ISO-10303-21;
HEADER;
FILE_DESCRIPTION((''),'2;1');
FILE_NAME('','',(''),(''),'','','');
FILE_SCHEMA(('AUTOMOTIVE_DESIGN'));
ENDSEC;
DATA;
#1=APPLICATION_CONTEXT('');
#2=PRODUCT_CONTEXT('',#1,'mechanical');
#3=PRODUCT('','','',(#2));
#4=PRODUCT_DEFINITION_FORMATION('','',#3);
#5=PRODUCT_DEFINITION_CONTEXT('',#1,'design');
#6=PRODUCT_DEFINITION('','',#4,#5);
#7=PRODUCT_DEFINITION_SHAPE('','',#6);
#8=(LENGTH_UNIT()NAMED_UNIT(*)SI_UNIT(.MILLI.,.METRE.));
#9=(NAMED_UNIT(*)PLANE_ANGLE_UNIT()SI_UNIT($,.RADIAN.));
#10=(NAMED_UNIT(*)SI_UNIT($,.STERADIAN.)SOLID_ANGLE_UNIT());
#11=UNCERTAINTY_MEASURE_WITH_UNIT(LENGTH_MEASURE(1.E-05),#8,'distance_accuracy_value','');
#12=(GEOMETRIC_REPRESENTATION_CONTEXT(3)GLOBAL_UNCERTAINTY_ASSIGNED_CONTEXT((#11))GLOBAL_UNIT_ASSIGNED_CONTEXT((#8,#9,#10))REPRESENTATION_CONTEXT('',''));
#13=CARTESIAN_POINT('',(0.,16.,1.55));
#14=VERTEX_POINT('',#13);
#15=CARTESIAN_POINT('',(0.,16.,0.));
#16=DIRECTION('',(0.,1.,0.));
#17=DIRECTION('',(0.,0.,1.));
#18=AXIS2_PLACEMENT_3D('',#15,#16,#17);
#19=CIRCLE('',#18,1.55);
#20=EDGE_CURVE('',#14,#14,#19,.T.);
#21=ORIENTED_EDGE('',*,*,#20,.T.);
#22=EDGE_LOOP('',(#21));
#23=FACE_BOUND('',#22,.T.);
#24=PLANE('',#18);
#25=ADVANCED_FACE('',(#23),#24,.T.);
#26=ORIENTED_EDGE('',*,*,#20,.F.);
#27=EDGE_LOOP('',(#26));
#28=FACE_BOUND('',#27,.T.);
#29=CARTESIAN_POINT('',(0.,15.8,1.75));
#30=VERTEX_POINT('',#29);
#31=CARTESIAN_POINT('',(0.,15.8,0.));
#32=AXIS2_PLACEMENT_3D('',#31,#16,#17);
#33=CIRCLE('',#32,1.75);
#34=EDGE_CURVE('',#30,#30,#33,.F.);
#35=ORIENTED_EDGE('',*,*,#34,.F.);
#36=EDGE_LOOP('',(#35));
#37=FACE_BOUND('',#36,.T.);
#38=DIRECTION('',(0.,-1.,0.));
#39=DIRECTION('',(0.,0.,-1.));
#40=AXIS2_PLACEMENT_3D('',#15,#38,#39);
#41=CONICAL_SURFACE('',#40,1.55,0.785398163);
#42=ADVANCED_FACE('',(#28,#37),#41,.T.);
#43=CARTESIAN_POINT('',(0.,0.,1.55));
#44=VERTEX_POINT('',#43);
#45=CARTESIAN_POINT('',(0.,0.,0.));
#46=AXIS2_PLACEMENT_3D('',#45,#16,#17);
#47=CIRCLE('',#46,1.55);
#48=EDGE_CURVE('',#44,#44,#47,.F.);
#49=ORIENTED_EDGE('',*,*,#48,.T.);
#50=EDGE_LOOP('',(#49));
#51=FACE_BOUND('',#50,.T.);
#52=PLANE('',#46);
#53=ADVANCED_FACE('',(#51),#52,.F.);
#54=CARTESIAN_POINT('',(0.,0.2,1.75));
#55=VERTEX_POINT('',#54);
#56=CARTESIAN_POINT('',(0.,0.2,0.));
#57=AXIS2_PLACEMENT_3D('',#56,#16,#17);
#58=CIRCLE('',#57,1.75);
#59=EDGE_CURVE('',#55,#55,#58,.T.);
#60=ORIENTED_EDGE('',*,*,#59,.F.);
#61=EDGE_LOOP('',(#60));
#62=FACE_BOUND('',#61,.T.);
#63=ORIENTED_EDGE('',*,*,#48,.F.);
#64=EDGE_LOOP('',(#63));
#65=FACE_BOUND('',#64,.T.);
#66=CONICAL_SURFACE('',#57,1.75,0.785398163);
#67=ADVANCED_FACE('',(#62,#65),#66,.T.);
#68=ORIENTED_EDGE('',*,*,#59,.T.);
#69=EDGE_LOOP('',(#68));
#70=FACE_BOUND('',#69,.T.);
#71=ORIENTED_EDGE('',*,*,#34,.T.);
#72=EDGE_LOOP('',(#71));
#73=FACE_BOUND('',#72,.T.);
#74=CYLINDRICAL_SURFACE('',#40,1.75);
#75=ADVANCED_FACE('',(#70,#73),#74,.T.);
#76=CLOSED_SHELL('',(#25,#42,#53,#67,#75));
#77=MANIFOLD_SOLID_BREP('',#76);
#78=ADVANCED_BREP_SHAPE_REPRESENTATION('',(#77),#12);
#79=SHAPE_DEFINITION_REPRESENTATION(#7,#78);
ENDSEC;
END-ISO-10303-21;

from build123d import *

# Parameters (mm, degrees)
SKETCH_1_R      = 1.75
EXTRUDE_1_DEPTH = 16
CHAMFER_1_SIZE  = 0.2


with BuildPart() as part:
    # 草图1 → 凸台-拉伸1 (new body)
    with BuildSketch(Plane(origin=(0, 0, 0), x_dir=(1, 0, 0), z_dir=(0, 1, 0))):
        with Locations(Location((0, 0, 0), (0, 0, 270))):
            Circle(SKETCH_1_R)
    extrude(amount=EXTRUDE_1_DEPTH)

    # 倒角1
    chamfer_1_edges = [part.edges().sort_by_distance(p)[0] for p in [
        (0, 0, -1.75),
        (0, 16, -1.75),
    ]]
    chamfer(chamfer_1_edges, length=CHAMFER_1_SIZE)


solid = part.part
